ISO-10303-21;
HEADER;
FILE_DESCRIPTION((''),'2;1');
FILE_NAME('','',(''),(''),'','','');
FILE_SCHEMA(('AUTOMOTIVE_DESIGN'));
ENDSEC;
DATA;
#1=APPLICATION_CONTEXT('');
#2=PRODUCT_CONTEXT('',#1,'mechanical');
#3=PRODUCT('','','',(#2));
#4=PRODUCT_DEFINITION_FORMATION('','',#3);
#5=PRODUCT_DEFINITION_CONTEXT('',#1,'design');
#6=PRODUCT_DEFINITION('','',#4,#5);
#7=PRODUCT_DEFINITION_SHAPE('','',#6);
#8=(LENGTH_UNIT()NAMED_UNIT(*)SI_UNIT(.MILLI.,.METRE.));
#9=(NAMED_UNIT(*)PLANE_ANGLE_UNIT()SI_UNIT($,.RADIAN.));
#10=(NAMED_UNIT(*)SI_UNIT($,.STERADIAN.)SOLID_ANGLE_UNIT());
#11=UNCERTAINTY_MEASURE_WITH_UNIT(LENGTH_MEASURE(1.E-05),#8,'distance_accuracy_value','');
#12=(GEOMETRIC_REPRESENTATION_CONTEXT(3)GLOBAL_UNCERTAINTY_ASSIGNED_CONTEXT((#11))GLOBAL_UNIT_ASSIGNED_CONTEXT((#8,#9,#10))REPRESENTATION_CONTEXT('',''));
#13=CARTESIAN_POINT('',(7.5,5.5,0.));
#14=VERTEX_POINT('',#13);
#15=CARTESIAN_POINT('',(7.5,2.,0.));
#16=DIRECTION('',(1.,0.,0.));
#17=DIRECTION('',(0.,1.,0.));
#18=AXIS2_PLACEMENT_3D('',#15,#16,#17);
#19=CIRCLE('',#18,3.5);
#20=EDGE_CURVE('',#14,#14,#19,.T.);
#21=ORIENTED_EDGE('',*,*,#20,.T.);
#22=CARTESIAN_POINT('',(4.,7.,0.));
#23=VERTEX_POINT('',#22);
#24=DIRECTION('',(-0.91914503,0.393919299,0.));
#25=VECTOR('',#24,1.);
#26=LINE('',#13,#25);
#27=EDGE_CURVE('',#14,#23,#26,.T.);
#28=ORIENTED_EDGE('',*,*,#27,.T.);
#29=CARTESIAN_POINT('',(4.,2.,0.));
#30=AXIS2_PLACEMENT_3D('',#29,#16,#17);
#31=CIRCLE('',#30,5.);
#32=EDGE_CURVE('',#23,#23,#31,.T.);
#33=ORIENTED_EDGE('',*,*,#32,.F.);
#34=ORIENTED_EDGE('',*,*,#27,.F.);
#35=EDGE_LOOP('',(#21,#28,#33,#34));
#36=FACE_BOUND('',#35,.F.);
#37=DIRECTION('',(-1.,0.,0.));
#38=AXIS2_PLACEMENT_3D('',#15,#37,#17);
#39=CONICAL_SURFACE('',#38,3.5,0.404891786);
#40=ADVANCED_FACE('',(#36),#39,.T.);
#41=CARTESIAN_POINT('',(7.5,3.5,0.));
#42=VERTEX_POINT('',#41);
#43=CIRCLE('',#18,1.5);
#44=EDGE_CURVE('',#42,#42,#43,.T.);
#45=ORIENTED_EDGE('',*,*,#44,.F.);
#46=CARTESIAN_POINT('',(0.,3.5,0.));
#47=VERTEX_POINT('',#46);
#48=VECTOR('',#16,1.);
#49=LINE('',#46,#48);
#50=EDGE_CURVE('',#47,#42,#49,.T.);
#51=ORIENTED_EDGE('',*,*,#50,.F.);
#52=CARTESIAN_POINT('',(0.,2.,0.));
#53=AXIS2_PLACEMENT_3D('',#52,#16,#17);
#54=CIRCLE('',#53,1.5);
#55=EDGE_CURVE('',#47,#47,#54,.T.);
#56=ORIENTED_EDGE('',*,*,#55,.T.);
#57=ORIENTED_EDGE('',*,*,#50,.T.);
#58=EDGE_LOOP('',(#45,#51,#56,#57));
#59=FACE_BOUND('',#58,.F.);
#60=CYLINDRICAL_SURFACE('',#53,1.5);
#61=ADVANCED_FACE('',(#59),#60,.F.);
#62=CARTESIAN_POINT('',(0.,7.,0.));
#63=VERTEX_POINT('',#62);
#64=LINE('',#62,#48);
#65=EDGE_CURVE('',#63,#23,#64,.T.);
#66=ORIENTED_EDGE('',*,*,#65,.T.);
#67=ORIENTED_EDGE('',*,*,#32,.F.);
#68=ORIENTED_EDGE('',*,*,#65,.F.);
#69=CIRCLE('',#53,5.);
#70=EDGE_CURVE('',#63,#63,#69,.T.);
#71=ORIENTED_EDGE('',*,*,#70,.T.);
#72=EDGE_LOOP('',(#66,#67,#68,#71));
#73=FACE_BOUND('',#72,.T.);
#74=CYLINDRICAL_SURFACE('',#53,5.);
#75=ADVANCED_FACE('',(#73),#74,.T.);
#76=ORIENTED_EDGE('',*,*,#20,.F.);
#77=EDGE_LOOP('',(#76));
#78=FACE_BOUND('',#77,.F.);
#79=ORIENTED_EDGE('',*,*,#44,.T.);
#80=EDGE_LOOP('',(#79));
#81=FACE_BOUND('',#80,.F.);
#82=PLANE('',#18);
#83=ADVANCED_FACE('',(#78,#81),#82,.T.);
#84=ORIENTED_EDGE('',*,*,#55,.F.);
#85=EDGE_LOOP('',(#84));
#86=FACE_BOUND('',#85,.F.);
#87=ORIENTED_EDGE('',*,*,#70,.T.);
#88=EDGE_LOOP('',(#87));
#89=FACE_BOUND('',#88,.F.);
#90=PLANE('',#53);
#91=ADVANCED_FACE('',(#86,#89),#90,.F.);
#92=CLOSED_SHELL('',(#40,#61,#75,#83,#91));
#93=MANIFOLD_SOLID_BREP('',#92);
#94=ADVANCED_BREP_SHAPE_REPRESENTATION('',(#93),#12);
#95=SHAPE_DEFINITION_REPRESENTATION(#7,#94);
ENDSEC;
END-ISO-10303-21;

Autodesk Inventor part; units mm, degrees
ref_plane "YZ Plane" through (0, 0, 0) normal (1, 0, 0) x (0, 1, 0)
ref_plane "XZ Plane" through (0, 0, 0) normal (0, 1, 0) x (-1, 0, 0)
ref_plane "XY Plane" through (0, 0, 0) normal (0, 0, 1) x (1, 0, 0)
sketch "Sketch1" plane through (0, 0, 0) normal (0, 0, 1) x (1, 0, 0)
  line L0 (0, 7) -> (4, 7)
  line L1 (0, 3.5) -> (7.5, 3.5)
  line L2 (7.5, 3.5) -> (7.5, 5.5)
  line L3 (7.5, 5.5) -> (4, 7)
  line L4 (0, 2) -> (8.6276, 2)
  line L5 (0, 7) -> (0, 3.5)
  point P0 (0, 0)
  dimension "d0" = 7
  dimension "d1" = 4
  dimension "d3" = 2
  dimension "d4" = 2
revolve "Revolution1" add sketch "Sketch1" angle 360 about axis through (0, 2, 0) along (1, 0, 0)
equation "\"BendRadius\" = Thickness"
equation "\"BendReliefWidth\" = Thickness"
equation "\"BendReliefDepth\" = 0.5 * Thickness"
equation "\"CornerReliefSize\" = 4 * Thickness"
equation "\"MinimumRemnant\" = 2 * Thickness"
equation "\"TransitionRadius\" = BendRadius"
equation "\"JacobiRadiusSize\" = BendRadius"
equation "\"GapSize\" = Thickness"
equation "\"Thickness\" = 0.5"
properties part number "chốt khớp nối"
